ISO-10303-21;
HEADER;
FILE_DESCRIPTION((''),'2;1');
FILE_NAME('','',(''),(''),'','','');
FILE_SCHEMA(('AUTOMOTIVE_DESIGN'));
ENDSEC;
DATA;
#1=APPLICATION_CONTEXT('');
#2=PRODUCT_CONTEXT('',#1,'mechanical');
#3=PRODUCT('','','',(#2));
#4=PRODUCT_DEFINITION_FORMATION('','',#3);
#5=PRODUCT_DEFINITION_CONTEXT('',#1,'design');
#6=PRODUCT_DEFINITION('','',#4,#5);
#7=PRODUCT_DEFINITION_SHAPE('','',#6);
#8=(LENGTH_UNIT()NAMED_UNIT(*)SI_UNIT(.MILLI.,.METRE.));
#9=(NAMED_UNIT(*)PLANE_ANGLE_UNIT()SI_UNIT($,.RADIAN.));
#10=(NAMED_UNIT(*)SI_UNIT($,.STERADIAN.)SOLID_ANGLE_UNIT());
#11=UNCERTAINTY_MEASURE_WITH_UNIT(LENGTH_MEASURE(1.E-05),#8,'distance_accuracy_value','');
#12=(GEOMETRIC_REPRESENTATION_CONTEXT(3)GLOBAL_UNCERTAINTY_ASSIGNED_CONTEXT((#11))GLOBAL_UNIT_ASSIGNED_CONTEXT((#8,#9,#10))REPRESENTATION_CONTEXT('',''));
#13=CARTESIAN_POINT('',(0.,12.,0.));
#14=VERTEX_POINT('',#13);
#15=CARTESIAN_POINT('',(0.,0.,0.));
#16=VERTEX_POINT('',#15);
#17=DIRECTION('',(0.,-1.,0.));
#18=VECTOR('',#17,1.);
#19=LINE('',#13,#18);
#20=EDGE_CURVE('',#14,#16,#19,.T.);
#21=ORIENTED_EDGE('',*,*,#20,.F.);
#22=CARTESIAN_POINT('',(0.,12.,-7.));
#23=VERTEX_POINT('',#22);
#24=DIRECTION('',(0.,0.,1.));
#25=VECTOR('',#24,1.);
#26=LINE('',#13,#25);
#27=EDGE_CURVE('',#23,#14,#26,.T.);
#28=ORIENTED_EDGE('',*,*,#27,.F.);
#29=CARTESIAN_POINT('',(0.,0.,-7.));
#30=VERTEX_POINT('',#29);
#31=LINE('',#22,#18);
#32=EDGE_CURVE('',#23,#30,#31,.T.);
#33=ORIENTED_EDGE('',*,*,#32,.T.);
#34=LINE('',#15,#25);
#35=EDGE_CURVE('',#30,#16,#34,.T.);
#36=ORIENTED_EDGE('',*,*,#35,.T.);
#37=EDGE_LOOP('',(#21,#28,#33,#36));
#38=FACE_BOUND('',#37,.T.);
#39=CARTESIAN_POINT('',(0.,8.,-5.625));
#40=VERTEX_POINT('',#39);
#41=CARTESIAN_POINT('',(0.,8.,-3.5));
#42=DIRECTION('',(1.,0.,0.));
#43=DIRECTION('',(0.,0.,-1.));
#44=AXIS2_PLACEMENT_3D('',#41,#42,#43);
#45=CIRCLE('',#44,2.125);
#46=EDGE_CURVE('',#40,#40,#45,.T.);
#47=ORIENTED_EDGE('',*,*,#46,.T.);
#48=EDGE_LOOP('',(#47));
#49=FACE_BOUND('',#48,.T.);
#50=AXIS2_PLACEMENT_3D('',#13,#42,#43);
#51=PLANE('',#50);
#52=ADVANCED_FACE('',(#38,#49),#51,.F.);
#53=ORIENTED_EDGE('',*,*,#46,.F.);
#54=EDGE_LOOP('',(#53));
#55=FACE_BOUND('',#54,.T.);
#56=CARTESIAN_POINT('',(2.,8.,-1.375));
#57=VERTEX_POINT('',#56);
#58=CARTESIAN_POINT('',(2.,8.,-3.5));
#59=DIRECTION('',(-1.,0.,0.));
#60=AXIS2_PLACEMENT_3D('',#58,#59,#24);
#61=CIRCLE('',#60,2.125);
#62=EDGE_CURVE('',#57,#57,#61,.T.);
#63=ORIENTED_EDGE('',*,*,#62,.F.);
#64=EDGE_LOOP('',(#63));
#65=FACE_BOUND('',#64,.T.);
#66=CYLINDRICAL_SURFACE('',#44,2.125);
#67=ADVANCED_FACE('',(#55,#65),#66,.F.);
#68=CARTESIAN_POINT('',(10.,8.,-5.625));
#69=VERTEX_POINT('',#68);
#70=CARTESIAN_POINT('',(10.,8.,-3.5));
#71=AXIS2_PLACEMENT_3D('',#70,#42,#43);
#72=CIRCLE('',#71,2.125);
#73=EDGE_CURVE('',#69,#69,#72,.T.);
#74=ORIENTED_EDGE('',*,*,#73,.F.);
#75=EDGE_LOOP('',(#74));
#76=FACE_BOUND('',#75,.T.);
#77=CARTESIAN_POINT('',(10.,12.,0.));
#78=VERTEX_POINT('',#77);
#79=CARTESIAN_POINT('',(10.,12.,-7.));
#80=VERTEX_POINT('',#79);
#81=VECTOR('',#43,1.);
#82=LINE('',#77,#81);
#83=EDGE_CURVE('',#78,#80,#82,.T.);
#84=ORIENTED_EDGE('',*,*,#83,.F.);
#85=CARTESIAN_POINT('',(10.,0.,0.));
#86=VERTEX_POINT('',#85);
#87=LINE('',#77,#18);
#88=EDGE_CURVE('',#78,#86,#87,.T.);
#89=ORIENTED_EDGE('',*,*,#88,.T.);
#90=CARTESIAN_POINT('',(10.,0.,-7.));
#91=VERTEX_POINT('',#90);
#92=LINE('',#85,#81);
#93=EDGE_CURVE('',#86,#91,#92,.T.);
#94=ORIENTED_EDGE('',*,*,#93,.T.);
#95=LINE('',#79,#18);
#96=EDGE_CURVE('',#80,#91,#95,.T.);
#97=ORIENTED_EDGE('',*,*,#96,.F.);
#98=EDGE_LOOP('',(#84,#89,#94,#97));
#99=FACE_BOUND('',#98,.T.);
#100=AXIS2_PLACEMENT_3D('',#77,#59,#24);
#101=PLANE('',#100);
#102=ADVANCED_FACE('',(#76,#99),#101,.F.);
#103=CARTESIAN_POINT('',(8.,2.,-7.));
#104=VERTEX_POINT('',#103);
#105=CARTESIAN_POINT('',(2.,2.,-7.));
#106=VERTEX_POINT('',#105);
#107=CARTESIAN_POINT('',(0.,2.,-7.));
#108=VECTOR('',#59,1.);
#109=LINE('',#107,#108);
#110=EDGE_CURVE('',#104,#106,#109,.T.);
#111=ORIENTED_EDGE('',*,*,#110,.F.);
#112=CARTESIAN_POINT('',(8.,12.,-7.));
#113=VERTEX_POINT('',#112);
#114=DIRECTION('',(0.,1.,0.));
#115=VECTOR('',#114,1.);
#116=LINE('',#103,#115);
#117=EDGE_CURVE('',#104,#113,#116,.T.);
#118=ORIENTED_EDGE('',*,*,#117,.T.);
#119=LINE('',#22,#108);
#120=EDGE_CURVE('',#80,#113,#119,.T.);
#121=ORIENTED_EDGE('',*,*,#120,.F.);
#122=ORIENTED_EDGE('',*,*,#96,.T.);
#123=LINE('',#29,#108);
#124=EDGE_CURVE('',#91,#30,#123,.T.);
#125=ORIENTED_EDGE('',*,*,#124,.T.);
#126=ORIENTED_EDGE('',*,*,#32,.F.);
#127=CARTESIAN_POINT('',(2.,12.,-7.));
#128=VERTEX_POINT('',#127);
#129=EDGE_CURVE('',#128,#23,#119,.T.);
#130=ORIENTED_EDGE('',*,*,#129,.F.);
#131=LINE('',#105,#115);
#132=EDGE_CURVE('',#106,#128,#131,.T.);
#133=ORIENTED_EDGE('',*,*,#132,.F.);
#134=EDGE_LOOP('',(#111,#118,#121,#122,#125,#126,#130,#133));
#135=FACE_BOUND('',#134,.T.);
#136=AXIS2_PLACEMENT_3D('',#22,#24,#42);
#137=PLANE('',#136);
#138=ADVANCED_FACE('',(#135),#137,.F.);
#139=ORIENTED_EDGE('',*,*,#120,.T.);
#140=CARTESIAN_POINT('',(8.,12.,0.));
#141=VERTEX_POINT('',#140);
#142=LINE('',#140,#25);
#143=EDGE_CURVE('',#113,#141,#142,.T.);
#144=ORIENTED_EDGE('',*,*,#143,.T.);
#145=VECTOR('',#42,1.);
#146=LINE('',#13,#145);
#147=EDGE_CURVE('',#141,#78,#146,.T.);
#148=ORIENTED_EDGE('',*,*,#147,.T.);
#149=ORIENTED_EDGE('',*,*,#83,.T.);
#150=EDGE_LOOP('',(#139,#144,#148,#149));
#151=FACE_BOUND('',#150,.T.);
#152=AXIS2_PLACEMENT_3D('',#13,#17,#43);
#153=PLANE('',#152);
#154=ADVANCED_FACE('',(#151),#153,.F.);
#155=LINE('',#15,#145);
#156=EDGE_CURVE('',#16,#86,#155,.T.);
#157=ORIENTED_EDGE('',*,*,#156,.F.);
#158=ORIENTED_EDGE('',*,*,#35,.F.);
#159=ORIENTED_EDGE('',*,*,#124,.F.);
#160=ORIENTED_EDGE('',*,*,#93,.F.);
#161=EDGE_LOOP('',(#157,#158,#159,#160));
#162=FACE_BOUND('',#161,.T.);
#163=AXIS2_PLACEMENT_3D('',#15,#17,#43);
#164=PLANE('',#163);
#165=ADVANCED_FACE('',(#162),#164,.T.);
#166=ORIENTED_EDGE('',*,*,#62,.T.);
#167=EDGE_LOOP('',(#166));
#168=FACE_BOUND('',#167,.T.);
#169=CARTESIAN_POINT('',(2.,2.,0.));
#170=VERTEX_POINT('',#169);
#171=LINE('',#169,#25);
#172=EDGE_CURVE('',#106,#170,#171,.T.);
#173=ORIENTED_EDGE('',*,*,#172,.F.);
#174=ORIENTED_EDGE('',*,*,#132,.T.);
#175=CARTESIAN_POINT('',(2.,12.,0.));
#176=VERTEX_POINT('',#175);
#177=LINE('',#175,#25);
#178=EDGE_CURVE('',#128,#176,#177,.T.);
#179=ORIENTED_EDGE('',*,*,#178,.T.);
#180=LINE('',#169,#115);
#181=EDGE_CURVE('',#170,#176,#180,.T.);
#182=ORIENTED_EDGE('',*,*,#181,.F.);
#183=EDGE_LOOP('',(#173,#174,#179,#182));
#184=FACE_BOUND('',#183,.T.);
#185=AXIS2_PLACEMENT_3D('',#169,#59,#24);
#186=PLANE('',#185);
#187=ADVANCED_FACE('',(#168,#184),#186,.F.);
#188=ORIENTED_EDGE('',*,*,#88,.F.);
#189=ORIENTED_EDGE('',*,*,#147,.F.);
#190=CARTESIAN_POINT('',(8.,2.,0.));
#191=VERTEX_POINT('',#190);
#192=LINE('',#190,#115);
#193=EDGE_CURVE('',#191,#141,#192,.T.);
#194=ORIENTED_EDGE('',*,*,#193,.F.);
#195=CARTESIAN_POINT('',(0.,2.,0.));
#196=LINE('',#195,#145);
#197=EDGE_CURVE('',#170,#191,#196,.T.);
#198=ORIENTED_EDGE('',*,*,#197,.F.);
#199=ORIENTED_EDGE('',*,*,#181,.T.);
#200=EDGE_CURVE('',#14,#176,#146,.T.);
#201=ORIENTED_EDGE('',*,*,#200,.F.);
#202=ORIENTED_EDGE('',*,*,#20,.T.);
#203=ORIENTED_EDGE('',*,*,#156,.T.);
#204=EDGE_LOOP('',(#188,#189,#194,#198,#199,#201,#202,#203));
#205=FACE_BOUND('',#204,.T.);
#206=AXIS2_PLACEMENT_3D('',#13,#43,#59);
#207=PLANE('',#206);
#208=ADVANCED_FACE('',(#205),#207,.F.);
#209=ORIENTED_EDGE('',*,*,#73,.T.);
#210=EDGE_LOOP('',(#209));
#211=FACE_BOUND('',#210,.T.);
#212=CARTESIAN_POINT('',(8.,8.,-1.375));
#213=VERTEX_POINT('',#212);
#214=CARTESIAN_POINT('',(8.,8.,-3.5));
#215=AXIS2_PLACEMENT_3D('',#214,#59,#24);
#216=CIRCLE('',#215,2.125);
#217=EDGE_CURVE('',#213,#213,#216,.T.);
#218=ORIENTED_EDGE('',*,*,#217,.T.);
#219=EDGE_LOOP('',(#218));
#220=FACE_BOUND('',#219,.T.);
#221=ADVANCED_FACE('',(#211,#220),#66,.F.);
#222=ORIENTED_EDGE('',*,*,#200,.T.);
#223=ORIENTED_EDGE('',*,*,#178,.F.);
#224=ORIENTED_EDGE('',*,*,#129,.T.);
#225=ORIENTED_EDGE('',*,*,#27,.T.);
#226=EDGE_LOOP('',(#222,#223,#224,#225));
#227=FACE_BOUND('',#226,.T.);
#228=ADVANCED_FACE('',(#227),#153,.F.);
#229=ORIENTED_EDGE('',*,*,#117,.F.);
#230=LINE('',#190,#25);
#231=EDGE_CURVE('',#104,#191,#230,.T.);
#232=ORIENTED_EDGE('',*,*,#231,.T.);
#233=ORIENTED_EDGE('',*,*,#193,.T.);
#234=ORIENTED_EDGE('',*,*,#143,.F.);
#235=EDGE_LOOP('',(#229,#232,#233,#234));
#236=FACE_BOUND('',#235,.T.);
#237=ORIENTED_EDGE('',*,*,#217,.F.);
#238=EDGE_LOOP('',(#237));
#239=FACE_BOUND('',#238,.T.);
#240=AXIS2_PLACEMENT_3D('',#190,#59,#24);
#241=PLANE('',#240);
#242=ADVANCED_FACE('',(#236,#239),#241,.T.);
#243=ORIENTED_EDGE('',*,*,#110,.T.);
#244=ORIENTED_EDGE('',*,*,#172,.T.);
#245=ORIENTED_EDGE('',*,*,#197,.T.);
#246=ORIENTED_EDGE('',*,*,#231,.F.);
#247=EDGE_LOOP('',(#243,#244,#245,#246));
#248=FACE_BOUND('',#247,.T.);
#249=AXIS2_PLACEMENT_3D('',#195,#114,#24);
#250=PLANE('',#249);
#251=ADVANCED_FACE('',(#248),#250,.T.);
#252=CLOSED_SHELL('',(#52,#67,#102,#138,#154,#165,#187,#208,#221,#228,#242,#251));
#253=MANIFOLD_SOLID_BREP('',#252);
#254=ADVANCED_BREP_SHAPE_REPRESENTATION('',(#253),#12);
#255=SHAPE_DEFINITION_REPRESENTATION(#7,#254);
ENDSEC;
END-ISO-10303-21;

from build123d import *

# Parameters (mm, degrees)
SKETCH1_W           = 10
SKETCH1_H           = 7
BOSS_EXTRUDE1_DEPTH = 12
SKETCH2_W           = 3
SKETCH2_H           = 7
CUT_EXTRUDE1_DEPTH  = 10
SKETCH3_R           = 2.125
CUT_EXTRUDE2_DEPTH  = 11


with BuildPart() as part:
    # Sketch1 → Boss-Extrude1 (new body)
    with BuildSketch(Plane(origin=(0, 0, 0), x_dir=(1, 0, 0), z_dir=(0, 1, 0))):
        with Locations((5, 3.5)):
            Rectangle(SKETCH1_W, SKETCH1_H)
    extrude(amount=BOSS_EXTRUDE1_DEPTH)

    # Sketch2 → Cut-Extrude1 (cut)
    with BuildSketch(Plane(origin=(0, 12, 0), x_dir=(1, 0, 0), z_dir=(0, 1, 0))):
        with Locations((3.5, 3.5)):
            Rectangle(SKETCH2_W, SKETCH2_H)
        with Locations((6.5, 3.5)):
            Rectangle(SKETCH2_W, SKETCH2_H)
    extrude(amount=-CUT_EXTRUDE1_DEPTH, mode=Mode.SUBTRACT)

    # Sketch3 → Cut-Extrude2 (cut, through all)
    with BuildSketch(Plane(origin=(10, 0, 0), x_dir=(0, 0, -1), z_dir=(1, 0, 0))):
        with Locations((3.5, 8)):
            Circle(SKETCH3_R)
    extrude(amount=-CUT_EXTRUDE2_DEPTH, mode=Mode.SUBTRACT)


solid = part.part
